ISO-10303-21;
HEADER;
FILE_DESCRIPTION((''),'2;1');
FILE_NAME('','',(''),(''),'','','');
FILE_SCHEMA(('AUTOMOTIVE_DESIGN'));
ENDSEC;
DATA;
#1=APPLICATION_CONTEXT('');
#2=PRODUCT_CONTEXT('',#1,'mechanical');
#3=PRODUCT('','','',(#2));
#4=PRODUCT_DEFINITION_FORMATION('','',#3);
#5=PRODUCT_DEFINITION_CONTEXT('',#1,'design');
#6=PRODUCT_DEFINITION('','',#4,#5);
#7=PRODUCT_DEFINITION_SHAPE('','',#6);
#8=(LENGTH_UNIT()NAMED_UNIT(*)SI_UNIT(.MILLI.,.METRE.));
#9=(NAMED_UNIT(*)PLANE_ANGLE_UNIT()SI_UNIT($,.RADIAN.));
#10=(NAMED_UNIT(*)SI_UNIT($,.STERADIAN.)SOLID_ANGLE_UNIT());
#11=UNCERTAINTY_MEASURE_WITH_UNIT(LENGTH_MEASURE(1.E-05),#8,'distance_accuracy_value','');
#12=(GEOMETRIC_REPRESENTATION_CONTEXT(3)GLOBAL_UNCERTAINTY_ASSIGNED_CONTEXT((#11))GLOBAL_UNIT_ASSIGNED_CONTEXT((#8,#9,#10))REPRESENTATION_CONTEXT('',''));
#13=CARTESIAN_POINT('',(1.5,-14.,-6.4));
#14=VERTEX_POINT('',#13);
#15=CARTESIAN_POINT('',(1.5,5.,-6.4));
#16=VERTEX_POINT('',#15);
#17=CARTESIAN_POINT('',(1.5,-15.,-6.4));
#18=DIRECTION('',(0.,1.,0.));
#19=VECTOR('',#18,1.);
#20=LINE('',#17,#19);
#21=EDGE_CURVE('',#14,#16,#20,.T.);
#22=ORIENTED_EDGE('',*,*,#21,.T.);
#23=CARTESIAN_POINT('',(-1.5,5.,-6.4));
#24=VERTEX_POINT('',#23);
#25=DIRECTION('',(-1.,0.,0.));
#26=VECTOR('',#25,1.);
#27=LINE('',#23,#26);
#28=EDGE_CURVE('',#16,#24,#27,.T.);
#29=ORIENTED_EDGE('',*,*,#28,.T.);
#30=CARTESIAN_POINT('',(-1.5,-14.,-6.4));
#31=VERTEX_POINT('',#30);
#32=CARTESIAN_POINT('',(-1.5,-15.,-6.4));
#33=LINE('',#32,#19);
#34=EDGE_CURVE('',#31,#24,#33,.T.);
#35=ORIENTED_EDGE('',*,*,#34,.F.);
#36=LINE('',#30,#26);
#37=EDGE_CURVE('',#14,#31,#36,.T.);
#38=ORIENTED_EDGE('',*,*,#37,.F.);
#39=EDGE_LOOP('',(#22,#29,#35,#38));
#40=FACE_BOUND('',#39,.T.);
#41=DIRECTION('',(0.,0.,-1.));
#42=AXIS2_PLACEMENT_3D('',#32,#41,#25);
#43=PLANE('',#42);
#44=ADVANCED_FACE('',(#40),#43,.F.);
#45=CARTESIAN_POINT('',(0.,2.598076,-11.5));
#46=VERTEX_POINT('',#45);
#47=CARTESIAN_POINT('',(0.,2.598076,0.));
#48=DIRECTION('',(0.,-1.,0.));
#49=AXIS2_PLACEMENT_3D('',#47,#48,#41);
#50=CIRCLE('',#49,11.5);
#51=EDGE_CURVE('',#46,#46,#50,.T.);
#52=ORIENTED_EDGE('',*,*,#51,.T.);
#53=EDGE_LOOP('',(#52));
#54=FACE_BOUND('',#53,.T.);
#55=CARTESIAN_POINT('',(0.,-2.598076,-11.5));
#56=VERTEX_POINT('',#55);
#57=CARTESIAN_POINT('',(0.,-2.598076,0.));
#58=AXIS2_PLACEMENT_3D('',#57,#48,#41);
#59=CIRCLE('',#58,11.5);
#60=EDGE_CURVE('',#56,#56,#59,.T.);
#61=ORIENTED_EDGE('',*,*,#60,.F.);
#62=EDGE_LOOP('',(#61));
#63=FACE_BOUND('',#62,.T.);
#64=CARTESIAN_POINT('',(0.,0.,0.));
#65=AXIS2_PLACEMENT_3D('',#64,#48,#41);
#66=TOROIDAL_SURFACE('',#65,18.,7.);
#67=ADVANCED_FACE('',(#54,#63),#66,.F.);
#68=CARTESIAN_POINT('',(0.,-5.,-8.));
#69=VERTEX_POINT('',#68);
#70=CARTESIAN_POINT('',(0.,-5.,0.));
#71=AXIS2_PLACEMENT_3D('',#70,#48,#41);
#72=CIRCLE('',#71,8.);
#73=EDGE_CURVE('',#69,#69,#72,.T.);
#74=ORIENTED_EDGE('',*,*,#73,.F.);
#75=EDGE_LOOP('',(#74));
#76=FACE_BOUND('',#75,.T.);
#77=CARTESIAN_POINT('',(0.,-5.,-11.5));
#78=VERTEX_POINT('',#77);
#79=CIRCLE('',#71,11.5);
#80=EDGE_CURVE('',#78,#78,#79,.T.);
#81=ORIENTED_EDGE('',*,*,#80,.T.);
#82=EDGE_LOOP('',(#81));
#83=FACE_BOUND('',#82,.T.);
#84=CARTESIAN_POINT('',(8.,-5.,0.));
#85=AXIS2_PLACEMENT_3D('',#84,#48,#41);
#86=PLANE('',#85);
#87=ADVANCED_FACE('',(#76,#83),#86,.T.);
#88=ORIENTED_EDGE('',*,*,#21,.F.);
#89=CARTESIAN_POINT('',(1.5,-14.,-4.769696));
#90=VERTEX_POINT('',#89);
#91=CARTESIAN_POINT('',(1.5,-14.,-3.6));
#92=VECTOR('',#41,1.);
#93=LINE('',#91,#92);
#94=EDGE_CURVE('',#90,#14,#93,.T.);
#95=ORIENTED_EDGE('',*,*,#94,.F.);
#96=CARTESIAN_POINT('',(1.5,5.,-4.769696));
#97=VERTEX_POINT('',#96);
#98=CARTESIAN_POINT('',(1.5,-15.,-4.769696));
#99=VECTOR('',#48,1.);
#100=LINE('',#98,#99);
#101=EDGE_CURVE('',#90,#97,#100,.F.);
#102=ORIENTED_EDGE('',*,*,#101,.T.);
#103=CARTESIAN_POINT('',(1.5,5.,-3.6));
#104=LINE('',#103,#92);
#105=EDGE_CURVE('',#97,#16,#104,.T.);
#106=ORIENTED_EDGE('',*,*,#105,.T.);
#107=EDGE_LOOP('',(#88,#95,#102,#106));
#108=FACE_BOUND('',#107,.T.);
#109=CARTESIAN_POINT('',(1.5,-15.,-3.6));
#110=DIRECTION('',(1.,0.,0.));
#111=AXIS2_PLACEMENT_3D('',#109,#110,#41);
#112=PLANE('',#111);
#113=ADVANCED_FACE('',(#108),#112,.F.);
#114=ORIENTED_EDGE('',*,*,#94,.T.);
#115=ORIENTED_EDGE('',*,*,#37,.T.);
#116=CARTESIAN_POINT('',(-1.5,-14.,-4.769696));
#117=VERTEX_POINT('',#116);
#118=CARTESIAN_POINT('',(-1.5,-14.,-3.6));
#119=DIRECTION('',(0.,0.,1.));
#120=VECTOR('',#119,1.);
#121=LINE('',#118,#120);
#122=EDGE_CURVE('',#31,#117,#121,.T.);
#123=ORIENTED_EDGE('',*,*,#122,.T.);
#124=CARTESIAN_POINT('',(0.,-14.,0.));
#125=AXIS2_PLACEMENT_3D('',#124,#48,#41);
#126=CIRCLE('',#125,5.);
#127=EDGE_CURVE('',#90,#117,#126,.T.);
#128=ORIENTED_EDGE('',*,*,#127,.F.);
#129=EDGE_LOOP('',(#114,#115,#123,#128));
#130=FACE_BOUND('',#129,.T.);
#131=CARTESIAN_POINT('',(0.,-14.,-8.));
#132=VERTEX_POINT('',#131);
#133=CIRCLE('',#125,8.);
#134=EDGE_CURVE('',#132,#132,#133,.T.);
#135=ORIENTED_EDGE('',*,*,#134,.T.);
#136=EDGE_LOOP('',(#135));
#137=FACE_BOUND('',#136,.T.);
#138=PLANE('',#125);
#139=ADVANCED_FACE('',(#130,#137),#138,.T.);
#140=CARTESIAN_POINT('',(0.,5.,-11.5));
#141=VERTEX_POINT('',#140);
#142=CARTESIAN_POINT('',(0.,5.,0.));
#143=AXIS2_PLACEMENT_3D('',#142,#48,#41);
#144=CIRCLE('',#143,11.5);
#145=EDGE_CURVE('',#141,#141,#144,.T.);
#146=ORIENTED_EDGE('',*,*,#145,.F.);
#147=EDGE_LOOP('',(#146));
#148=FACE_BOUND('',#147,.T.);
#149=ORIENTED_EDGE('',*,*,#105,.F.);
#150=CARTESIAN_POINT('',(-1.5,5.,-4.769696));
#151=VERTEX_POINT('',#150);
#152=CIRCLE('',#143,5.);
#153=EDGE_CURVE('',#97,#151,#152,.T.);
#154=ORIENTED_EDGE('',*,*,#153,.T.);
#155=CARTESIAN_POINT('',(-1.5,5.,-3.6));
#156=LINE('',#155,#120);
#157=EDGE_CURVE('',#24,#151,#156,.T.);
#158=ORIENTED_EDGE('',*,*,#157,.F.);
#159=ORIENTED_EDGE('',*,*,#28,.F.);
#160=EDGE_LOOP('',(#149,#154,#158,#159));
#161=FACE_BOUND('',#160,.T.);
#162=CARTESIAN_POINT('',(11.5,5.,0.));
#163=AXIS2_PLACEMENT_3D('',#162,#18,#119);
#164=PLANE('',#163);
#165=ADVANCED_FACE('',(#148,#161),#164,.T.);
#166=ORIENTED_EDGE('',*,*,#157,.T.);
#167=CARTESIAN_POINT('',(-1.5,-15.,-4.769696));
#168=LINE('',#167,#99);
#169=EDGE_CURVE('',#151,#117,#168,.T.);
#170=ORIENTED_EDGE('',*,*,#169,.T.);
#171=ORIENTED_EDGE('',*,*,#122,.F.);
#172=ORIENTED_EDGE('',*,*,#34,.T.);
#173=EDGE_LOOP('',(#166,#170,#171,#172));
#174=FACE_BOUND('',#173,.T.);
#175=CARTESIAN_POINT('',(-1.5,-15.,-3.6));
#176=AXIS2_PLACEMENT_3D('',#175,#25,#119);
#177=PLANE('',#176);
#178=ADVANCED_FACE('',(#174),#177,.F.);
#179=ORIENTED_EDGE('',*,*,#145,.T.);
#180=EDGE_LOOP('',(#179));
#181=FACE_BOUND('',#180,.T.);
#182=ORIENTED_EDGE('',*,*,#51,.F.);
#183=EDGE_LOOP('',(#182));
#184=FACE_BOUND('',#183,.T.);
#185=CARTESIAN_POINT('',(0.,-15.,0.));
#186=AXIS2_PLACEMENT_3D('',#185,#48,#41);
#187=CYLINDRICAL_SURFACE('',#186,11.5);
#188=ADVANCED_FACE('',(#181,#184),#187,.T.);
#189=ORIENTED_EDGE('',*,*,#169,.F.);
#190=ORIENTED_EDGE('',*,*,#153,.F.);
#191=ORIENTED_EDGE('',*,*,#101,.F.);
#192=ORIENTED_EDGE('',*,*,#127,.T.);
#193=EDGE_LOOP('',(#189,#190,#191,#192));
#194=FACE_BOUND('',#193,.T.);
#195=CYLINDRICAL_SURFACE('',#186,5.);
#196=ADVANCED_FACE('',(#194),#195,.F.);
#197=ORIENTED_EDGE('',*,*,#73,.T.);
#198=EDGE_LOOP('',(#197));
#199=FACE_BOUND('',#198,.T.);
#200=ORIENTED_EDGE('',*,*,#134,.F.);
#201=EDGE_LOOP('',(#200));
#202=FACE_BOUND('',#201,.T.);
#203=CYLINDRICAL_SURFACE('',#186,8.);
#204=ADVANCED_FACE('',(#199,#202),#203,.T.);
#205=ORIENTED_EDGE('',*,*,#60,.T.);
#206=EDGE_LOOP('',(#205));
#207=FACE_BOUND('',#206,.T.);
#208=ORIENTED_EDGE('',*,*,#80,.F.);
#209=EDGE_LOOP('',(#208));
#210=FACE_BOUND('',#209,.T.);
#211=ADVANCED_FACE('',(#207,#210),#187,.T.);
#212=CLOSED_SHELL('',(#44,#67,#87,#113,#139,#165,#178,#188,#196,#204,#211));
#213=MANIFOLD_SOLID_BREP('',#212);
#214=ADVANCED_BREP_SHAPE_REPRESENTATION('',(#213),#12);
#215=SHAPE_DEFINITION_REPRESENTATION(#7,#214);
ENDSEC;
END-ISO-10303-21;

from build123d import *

# Parameters (mm, degrees)
ESQUISSE1_W             = 3
ESQUISSE1_H             = 2.8
ENL_V_MAT_EXTRU_1_DEPTH = 21
ESQUISSE2_R             = 8
ENL_V_MAT_EXTRU_2_DEPTH = 1


with BuildPart() as part:
    # Sketch1 → Revolve2 (revolve)
    with BuildSketch(Plane.XY):
        with BuildLine():
            Line((5, -15), (8, -15))
            Line((8, -15), (8, -5))
            Line((8, -5), (11.5, -5))
            Line((11.5, -5), (11.5, -2.598076211))
            ThreePointArc((11.5, -2.598076211), (11, 0), (11.5, 2.598076211))
            Line((11.5, 2.598076211), (11.5, 5))
            Line((11.5, 5), (5, 5))
            Line((5, 5), (5, -15))
        make_face()
    revolve(axis=Axis((0, -15, 0), (0, 1, 0)))

    # Esquisse1 → Enlèv. mat.-Extru.1 (cut, through all)
    with BuildSketch(Plane(origin=(0, 5, 0), x_dir=(1, 0, 0), z_dir=(0, 1, 0))):
        with Locations((0, 5)):
            Rectangle(ESQUISSE1_W, ESQUISSE1_H)
    extrude(amount=-ENL_V_MAT_EXTRU_1_DEPTH, mode=Mode.SUBTRACT)

    # Esquisse2 → Enlèv. mat.-Extru.2 (cut)
    with BuildSketch(Plane.XZ.offset(15)):
        Circle(ESQUISSE2_R)
    extrude(amount=-ENL_V_MAT_EXTRU_2_DEPTH, mode=Mode.SUBTRACT)


solid = part.part
